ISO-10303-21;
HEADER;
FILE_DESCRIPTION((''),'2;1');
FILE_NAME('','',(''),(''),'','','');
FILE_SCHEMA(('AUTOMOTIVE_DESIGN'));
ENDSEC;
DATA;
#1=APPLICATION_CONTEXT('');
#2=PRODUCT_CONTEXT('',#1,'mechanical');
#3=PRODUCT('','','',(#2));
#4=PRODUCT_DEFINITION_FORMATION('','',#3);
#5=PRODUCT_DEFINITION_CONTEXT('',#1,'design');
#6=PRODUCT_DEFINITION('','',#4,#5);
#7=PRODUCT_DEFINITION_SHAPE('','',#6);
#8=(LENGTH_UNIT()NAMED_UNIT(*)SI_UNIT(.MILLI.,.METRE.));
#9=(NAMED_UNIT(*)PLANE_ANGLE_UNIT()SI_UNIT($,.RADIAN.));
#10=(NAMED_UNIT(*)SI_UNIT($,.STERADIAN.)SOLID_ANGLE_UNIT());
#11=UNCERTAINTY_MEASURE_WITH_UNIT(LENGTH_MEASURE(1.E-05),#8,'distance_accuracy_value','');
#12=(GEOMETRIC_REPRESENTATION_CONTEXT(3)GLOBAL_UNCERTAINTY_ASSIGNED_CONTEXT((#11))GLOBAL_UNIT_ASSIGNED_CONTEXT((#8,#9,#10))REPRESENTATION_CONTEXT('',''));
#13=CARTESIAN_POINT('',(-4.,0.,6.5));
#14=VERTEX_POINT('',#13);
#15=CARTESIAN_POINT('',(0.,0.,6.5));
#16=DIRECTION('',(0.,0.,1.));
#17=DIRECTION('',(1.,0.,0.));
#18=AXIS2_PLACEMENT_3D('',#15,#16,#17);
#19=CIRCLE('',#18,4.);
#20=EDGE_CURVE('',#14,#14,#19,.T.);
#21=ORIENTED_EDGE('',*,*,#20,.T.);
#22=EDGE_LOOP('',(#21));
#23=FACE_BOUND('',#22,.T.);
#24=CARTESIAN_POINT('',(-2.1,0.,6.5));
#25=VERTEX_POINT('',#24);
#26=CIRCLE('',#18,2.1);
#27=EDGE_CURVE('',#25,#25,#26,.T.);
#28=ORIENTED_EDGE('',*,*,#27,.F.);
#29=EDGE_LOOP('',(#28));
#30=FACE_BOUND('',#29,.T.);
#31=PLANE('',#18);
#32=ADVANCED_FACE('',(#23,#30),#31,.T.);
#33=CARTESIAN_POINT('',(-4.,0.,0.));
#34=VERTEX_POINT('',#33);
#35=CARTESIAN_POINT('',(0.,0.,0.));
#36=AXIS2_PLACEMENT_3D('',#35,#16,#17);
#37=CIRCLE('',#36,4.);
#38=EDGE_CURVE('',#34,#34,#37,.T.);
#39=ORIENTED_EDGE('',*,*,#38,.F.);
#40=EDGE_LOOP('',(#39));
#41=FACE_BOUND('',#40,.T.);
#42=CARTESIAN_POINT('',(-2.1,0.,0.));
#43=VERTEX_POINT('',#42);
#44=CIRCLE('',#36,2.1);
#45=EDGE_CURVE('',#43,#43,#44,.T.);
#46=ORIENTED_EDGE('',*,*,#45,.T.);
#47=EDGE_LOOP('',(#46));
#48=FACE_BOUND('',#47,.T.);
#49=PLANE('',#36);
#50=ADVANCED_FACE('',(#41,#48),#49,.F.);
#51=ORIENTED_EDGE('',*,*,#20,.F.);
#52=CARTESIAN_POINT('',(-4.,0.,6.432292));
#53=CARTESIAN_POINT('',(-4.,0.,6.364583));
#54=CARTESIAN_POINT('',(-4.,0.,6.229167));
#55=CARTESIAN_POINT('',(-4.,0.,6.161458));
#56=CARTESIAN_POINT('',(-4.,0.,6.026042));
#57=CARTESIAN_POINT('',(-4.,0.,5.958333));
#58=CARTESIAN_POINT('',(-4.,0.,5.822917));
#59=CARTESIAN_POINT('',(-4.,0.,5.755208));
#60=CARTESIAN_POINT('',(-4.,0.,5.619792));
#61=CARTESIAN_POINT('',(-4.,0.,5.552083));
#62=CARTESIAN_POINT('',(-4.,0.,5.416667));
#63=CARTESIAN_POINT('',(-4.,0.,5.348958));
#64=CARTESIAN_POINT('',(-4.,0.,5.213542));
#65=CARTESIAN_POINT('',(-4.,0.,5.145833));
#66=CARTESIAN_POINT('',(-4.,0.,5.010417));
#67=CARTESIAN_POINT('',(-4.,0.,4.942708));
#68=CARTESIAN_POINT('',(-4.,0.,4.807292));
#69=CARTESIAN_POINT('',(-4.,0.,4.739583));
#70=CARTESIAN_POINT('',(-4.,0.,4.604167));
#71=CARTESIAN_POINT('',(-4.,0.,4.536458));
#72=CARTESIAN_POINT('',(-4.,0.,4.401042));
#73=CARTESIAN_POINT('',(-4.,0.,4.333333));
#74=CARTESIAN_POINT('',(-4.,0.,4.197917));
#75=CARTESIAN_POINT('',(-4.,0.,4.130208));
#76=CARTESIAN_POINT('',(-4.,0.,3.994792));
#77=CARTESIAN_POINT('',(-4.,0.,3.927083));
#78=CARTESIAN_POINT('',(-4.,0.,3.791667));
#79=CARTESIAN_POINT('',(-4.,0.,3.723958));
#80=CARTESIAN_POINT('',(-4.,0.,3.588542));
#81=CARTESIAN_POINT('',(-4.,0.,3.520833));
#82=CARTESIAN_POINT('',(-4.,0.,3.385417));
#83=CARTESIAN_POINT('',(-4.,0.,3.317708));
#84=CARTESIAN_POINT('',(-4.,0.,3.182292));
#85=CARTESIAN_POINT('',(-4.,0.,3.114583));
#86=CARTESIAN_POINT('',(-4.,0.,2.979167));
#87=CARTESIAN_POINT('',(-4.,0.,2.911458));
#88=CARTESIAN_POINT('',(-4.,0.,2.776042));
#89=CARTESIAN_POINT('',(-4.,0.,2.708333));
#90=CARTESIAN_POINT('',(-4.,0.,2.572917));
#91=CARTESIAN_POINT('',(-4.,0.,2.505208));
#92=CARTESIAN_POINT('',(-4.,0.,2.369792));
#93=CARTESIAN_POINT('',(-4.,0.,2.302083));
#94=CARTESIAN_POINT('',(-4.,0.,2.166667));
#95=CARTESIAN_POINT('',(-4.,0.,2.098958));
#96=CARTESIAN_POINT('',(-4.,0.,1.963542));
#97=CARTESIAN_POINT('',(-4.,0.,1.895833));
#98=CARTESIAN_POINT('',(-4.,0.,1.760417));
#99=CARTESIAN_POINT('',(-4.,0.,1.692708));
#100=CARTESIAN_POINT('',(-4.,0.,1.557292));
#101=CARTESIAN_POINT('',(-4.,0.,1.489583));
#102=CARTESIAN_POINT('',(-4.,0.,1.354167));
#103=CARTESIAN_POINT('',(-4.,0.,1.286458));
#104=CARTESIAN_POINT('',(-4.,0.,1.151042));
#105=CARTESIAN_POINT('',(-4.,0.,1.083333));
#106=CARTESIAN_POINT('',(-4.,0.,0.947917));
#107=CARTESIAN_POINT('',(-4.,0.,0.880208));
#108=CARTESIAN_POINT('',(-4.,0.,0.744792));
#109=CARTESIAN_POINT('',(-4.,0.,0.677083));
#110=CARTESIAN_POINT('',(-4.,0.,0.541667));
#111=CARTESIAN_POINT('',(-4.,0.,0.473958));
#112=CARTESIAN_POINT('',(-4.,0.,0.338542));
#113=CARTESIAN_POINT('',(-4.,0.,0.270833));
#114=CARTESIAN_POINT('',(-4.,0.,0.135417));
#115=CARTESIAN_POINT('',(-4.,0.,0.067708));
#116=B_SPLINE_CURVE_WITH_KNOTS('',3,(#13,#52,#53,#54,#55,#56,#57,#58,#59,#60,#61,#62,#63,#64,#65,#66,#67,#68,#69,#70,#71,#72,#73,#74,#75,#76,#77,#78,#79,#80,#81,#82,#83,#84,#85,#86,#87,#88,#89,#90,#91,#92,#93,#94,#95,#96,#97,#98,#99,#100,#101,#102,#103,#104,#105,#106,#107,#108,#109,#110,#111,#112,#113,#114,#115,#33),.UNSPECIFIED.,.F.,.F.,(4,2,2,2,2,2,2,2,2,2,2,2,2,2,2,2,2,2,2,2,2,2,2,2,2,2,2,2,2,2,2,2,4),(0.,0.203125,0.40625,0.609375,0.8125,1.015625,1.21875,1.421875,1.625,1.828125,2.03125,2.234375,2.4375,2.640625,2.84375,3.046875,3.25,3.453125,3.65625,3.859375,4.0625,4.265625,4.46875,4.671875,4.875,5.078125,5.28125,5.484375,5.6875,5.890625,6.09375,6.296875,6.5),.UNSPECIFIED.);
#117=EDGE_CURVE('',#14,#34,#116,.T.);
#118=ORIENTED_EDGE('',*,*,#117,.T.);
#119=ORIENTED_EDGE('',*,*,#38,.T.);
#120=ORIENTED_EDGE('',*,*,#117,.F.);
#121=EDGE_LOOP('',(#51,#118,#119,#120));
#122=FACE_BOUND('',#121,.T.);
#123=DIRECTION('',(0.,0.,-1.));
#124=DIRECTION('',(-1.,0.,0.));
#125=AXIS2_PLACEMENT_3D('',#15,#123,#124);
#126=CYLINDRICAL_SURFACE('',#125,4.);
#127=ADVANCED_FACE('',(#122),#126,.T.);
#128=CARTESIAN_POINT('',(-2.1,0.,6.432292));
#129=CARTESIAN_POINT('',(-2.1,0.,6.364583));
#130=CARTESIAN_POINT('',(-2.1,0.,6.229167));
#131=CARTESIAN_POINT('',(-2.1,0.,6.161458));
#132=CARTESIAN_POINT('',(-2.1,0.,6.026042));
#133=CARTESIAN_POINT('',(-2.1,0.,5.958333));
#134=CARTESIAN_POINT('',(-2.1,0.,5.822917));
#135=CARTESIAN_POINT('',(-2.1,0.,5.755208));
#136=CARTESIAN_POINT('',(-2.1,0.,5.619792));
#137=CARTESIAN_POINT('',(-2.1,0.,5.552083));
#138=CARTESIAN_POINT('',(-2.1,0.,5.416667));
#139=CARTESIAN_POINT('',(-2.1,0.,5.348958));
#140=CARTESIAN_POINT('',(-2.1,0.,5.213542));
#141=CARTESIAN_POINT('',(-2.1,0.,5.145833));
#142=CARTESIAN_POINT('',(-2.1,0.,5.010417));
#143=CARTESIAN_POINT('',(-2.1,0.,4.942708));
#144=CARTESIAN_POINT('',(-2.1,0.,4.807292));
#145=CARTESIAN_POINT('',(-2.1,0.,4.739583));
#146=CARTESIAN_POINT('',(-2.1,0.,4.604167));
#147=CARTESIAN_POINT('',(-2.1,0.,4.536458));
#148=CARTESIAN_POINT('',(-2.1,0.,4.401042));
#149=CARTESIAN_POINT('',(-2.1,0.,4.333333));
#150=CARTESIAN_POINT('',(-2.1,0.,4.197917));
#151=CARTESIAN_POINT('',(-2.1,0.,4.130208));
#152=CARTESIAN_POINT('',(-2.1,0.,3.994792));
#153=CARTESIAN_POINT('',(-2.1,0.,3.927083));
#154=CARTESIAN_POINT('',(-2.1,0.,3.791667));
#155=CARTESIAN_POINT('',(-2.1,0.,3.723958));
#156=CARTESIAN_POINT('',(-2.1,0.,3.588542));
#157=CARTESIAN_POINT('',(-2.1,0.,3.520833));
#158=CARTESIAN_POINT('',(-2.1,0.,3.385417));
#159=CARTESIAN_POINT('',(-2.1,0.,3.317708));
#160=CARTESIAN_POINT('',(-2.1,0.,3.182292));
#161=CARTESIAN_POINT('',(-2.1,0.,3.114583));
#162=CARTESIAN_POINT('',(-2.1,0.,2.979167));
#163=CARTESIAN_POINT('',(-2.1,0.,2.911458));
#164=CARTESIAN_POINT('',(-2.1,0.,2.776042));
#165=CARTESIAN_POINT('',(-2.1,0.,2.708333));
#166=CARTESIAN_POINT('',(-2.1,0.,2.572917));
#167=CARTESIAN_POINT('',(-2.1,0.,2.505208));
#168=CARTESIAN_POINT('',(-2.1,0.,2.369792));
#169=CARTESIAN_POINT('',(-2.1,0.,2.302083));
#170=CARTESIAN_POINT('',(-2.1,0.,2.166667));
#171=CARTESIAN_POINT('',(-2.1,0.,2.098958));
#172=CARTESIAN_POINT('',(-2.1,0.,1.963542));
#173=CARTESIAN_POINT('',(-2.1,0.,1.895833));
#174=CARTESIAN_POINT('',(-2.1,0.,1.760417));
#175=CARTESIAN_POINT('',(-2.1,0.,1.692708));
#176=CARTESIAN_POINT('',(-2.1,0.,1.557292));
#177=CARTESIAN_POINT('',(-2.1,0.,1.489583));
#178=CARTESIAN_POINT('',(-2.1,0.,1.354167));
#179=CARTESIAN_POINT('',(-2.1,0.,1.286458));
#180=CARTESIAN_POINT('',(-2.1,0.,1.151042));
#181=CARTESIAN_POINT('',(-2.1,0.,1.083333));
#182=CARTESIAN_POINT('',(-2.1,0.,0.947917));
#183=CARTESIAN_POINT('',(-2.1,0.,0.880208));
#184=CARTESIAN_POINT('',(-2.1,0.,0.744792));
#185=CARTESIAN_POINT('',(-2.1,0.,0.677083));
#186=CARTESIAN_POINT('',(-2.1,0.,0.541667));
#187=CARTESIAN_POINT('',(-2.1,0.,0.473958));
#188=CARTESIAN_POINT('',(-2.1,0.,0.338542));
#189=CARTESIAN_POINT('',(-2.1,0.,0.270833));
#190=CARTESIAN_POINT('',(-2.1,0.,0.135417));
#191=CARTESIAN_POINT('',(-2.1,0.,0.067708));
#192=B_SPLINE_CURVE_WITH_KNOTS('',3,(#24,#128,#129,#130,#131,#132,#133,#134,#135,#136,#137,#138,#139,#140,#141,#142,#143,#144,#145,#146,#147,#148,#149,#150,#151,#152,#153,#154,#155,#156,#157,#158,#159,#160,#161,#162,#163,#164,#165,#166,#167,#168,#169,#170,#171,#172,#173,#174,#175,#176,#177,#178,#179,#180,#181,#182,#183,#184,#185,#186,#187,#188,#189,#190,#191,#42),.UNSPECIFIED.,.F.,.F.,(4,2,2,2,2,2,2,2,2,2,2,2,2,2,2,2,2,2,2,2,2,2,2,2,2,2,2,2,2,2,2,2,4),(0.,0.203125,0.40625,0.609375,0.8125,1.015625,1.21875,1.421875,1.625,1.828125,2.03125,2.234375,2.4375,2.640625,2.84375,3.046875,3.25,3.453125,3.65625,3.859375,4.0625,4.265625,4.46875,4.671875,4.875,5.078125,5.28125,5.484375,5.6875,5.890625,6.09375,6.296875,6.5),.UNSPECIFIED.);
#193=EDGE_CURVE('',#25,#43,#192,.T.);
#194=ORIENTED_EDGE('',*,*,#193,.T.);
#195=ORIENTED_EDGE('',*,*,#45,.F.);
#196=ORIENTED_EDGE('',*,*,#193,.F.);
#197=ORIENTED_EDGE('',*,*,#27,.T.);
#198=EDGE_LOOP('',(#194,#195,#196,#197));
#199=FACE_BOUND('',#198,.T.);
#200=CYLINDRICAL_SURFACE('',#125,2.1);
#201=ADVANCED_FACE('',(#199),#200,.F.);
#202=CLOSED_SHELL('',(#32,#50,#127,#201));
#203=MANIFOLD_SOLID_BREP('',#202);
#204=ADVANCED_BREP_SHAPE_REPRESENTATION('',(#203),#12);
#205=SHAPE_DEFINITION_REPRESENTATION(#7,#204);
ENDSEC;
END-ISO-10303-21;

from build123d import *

# Parameters (mm, degrees)
SKETCH_1_R      = 4
SKETCH_1_R_2    = 2.1
EXTRUDE_1_DEPTH = 6.5


with BuildPart() as part:
    # ｽｹｯﾁ1 → ﾎﾞｽ - 押し出し1 (new body)
    with BuildSketch(Plane.XY):
        with Locations(Location((0, 0, 0), (0, 0, 180))):
            Circle(SKETCH_1_R)
        with Locations(Location((0, 0, 0), (0, 0, 180))):
            Circle(SKETCH_1_R_2, mode=Mode.SUBTRACT)
    extrude(amount=EXTRUDE_1_DEPTH)


solid = part.part
